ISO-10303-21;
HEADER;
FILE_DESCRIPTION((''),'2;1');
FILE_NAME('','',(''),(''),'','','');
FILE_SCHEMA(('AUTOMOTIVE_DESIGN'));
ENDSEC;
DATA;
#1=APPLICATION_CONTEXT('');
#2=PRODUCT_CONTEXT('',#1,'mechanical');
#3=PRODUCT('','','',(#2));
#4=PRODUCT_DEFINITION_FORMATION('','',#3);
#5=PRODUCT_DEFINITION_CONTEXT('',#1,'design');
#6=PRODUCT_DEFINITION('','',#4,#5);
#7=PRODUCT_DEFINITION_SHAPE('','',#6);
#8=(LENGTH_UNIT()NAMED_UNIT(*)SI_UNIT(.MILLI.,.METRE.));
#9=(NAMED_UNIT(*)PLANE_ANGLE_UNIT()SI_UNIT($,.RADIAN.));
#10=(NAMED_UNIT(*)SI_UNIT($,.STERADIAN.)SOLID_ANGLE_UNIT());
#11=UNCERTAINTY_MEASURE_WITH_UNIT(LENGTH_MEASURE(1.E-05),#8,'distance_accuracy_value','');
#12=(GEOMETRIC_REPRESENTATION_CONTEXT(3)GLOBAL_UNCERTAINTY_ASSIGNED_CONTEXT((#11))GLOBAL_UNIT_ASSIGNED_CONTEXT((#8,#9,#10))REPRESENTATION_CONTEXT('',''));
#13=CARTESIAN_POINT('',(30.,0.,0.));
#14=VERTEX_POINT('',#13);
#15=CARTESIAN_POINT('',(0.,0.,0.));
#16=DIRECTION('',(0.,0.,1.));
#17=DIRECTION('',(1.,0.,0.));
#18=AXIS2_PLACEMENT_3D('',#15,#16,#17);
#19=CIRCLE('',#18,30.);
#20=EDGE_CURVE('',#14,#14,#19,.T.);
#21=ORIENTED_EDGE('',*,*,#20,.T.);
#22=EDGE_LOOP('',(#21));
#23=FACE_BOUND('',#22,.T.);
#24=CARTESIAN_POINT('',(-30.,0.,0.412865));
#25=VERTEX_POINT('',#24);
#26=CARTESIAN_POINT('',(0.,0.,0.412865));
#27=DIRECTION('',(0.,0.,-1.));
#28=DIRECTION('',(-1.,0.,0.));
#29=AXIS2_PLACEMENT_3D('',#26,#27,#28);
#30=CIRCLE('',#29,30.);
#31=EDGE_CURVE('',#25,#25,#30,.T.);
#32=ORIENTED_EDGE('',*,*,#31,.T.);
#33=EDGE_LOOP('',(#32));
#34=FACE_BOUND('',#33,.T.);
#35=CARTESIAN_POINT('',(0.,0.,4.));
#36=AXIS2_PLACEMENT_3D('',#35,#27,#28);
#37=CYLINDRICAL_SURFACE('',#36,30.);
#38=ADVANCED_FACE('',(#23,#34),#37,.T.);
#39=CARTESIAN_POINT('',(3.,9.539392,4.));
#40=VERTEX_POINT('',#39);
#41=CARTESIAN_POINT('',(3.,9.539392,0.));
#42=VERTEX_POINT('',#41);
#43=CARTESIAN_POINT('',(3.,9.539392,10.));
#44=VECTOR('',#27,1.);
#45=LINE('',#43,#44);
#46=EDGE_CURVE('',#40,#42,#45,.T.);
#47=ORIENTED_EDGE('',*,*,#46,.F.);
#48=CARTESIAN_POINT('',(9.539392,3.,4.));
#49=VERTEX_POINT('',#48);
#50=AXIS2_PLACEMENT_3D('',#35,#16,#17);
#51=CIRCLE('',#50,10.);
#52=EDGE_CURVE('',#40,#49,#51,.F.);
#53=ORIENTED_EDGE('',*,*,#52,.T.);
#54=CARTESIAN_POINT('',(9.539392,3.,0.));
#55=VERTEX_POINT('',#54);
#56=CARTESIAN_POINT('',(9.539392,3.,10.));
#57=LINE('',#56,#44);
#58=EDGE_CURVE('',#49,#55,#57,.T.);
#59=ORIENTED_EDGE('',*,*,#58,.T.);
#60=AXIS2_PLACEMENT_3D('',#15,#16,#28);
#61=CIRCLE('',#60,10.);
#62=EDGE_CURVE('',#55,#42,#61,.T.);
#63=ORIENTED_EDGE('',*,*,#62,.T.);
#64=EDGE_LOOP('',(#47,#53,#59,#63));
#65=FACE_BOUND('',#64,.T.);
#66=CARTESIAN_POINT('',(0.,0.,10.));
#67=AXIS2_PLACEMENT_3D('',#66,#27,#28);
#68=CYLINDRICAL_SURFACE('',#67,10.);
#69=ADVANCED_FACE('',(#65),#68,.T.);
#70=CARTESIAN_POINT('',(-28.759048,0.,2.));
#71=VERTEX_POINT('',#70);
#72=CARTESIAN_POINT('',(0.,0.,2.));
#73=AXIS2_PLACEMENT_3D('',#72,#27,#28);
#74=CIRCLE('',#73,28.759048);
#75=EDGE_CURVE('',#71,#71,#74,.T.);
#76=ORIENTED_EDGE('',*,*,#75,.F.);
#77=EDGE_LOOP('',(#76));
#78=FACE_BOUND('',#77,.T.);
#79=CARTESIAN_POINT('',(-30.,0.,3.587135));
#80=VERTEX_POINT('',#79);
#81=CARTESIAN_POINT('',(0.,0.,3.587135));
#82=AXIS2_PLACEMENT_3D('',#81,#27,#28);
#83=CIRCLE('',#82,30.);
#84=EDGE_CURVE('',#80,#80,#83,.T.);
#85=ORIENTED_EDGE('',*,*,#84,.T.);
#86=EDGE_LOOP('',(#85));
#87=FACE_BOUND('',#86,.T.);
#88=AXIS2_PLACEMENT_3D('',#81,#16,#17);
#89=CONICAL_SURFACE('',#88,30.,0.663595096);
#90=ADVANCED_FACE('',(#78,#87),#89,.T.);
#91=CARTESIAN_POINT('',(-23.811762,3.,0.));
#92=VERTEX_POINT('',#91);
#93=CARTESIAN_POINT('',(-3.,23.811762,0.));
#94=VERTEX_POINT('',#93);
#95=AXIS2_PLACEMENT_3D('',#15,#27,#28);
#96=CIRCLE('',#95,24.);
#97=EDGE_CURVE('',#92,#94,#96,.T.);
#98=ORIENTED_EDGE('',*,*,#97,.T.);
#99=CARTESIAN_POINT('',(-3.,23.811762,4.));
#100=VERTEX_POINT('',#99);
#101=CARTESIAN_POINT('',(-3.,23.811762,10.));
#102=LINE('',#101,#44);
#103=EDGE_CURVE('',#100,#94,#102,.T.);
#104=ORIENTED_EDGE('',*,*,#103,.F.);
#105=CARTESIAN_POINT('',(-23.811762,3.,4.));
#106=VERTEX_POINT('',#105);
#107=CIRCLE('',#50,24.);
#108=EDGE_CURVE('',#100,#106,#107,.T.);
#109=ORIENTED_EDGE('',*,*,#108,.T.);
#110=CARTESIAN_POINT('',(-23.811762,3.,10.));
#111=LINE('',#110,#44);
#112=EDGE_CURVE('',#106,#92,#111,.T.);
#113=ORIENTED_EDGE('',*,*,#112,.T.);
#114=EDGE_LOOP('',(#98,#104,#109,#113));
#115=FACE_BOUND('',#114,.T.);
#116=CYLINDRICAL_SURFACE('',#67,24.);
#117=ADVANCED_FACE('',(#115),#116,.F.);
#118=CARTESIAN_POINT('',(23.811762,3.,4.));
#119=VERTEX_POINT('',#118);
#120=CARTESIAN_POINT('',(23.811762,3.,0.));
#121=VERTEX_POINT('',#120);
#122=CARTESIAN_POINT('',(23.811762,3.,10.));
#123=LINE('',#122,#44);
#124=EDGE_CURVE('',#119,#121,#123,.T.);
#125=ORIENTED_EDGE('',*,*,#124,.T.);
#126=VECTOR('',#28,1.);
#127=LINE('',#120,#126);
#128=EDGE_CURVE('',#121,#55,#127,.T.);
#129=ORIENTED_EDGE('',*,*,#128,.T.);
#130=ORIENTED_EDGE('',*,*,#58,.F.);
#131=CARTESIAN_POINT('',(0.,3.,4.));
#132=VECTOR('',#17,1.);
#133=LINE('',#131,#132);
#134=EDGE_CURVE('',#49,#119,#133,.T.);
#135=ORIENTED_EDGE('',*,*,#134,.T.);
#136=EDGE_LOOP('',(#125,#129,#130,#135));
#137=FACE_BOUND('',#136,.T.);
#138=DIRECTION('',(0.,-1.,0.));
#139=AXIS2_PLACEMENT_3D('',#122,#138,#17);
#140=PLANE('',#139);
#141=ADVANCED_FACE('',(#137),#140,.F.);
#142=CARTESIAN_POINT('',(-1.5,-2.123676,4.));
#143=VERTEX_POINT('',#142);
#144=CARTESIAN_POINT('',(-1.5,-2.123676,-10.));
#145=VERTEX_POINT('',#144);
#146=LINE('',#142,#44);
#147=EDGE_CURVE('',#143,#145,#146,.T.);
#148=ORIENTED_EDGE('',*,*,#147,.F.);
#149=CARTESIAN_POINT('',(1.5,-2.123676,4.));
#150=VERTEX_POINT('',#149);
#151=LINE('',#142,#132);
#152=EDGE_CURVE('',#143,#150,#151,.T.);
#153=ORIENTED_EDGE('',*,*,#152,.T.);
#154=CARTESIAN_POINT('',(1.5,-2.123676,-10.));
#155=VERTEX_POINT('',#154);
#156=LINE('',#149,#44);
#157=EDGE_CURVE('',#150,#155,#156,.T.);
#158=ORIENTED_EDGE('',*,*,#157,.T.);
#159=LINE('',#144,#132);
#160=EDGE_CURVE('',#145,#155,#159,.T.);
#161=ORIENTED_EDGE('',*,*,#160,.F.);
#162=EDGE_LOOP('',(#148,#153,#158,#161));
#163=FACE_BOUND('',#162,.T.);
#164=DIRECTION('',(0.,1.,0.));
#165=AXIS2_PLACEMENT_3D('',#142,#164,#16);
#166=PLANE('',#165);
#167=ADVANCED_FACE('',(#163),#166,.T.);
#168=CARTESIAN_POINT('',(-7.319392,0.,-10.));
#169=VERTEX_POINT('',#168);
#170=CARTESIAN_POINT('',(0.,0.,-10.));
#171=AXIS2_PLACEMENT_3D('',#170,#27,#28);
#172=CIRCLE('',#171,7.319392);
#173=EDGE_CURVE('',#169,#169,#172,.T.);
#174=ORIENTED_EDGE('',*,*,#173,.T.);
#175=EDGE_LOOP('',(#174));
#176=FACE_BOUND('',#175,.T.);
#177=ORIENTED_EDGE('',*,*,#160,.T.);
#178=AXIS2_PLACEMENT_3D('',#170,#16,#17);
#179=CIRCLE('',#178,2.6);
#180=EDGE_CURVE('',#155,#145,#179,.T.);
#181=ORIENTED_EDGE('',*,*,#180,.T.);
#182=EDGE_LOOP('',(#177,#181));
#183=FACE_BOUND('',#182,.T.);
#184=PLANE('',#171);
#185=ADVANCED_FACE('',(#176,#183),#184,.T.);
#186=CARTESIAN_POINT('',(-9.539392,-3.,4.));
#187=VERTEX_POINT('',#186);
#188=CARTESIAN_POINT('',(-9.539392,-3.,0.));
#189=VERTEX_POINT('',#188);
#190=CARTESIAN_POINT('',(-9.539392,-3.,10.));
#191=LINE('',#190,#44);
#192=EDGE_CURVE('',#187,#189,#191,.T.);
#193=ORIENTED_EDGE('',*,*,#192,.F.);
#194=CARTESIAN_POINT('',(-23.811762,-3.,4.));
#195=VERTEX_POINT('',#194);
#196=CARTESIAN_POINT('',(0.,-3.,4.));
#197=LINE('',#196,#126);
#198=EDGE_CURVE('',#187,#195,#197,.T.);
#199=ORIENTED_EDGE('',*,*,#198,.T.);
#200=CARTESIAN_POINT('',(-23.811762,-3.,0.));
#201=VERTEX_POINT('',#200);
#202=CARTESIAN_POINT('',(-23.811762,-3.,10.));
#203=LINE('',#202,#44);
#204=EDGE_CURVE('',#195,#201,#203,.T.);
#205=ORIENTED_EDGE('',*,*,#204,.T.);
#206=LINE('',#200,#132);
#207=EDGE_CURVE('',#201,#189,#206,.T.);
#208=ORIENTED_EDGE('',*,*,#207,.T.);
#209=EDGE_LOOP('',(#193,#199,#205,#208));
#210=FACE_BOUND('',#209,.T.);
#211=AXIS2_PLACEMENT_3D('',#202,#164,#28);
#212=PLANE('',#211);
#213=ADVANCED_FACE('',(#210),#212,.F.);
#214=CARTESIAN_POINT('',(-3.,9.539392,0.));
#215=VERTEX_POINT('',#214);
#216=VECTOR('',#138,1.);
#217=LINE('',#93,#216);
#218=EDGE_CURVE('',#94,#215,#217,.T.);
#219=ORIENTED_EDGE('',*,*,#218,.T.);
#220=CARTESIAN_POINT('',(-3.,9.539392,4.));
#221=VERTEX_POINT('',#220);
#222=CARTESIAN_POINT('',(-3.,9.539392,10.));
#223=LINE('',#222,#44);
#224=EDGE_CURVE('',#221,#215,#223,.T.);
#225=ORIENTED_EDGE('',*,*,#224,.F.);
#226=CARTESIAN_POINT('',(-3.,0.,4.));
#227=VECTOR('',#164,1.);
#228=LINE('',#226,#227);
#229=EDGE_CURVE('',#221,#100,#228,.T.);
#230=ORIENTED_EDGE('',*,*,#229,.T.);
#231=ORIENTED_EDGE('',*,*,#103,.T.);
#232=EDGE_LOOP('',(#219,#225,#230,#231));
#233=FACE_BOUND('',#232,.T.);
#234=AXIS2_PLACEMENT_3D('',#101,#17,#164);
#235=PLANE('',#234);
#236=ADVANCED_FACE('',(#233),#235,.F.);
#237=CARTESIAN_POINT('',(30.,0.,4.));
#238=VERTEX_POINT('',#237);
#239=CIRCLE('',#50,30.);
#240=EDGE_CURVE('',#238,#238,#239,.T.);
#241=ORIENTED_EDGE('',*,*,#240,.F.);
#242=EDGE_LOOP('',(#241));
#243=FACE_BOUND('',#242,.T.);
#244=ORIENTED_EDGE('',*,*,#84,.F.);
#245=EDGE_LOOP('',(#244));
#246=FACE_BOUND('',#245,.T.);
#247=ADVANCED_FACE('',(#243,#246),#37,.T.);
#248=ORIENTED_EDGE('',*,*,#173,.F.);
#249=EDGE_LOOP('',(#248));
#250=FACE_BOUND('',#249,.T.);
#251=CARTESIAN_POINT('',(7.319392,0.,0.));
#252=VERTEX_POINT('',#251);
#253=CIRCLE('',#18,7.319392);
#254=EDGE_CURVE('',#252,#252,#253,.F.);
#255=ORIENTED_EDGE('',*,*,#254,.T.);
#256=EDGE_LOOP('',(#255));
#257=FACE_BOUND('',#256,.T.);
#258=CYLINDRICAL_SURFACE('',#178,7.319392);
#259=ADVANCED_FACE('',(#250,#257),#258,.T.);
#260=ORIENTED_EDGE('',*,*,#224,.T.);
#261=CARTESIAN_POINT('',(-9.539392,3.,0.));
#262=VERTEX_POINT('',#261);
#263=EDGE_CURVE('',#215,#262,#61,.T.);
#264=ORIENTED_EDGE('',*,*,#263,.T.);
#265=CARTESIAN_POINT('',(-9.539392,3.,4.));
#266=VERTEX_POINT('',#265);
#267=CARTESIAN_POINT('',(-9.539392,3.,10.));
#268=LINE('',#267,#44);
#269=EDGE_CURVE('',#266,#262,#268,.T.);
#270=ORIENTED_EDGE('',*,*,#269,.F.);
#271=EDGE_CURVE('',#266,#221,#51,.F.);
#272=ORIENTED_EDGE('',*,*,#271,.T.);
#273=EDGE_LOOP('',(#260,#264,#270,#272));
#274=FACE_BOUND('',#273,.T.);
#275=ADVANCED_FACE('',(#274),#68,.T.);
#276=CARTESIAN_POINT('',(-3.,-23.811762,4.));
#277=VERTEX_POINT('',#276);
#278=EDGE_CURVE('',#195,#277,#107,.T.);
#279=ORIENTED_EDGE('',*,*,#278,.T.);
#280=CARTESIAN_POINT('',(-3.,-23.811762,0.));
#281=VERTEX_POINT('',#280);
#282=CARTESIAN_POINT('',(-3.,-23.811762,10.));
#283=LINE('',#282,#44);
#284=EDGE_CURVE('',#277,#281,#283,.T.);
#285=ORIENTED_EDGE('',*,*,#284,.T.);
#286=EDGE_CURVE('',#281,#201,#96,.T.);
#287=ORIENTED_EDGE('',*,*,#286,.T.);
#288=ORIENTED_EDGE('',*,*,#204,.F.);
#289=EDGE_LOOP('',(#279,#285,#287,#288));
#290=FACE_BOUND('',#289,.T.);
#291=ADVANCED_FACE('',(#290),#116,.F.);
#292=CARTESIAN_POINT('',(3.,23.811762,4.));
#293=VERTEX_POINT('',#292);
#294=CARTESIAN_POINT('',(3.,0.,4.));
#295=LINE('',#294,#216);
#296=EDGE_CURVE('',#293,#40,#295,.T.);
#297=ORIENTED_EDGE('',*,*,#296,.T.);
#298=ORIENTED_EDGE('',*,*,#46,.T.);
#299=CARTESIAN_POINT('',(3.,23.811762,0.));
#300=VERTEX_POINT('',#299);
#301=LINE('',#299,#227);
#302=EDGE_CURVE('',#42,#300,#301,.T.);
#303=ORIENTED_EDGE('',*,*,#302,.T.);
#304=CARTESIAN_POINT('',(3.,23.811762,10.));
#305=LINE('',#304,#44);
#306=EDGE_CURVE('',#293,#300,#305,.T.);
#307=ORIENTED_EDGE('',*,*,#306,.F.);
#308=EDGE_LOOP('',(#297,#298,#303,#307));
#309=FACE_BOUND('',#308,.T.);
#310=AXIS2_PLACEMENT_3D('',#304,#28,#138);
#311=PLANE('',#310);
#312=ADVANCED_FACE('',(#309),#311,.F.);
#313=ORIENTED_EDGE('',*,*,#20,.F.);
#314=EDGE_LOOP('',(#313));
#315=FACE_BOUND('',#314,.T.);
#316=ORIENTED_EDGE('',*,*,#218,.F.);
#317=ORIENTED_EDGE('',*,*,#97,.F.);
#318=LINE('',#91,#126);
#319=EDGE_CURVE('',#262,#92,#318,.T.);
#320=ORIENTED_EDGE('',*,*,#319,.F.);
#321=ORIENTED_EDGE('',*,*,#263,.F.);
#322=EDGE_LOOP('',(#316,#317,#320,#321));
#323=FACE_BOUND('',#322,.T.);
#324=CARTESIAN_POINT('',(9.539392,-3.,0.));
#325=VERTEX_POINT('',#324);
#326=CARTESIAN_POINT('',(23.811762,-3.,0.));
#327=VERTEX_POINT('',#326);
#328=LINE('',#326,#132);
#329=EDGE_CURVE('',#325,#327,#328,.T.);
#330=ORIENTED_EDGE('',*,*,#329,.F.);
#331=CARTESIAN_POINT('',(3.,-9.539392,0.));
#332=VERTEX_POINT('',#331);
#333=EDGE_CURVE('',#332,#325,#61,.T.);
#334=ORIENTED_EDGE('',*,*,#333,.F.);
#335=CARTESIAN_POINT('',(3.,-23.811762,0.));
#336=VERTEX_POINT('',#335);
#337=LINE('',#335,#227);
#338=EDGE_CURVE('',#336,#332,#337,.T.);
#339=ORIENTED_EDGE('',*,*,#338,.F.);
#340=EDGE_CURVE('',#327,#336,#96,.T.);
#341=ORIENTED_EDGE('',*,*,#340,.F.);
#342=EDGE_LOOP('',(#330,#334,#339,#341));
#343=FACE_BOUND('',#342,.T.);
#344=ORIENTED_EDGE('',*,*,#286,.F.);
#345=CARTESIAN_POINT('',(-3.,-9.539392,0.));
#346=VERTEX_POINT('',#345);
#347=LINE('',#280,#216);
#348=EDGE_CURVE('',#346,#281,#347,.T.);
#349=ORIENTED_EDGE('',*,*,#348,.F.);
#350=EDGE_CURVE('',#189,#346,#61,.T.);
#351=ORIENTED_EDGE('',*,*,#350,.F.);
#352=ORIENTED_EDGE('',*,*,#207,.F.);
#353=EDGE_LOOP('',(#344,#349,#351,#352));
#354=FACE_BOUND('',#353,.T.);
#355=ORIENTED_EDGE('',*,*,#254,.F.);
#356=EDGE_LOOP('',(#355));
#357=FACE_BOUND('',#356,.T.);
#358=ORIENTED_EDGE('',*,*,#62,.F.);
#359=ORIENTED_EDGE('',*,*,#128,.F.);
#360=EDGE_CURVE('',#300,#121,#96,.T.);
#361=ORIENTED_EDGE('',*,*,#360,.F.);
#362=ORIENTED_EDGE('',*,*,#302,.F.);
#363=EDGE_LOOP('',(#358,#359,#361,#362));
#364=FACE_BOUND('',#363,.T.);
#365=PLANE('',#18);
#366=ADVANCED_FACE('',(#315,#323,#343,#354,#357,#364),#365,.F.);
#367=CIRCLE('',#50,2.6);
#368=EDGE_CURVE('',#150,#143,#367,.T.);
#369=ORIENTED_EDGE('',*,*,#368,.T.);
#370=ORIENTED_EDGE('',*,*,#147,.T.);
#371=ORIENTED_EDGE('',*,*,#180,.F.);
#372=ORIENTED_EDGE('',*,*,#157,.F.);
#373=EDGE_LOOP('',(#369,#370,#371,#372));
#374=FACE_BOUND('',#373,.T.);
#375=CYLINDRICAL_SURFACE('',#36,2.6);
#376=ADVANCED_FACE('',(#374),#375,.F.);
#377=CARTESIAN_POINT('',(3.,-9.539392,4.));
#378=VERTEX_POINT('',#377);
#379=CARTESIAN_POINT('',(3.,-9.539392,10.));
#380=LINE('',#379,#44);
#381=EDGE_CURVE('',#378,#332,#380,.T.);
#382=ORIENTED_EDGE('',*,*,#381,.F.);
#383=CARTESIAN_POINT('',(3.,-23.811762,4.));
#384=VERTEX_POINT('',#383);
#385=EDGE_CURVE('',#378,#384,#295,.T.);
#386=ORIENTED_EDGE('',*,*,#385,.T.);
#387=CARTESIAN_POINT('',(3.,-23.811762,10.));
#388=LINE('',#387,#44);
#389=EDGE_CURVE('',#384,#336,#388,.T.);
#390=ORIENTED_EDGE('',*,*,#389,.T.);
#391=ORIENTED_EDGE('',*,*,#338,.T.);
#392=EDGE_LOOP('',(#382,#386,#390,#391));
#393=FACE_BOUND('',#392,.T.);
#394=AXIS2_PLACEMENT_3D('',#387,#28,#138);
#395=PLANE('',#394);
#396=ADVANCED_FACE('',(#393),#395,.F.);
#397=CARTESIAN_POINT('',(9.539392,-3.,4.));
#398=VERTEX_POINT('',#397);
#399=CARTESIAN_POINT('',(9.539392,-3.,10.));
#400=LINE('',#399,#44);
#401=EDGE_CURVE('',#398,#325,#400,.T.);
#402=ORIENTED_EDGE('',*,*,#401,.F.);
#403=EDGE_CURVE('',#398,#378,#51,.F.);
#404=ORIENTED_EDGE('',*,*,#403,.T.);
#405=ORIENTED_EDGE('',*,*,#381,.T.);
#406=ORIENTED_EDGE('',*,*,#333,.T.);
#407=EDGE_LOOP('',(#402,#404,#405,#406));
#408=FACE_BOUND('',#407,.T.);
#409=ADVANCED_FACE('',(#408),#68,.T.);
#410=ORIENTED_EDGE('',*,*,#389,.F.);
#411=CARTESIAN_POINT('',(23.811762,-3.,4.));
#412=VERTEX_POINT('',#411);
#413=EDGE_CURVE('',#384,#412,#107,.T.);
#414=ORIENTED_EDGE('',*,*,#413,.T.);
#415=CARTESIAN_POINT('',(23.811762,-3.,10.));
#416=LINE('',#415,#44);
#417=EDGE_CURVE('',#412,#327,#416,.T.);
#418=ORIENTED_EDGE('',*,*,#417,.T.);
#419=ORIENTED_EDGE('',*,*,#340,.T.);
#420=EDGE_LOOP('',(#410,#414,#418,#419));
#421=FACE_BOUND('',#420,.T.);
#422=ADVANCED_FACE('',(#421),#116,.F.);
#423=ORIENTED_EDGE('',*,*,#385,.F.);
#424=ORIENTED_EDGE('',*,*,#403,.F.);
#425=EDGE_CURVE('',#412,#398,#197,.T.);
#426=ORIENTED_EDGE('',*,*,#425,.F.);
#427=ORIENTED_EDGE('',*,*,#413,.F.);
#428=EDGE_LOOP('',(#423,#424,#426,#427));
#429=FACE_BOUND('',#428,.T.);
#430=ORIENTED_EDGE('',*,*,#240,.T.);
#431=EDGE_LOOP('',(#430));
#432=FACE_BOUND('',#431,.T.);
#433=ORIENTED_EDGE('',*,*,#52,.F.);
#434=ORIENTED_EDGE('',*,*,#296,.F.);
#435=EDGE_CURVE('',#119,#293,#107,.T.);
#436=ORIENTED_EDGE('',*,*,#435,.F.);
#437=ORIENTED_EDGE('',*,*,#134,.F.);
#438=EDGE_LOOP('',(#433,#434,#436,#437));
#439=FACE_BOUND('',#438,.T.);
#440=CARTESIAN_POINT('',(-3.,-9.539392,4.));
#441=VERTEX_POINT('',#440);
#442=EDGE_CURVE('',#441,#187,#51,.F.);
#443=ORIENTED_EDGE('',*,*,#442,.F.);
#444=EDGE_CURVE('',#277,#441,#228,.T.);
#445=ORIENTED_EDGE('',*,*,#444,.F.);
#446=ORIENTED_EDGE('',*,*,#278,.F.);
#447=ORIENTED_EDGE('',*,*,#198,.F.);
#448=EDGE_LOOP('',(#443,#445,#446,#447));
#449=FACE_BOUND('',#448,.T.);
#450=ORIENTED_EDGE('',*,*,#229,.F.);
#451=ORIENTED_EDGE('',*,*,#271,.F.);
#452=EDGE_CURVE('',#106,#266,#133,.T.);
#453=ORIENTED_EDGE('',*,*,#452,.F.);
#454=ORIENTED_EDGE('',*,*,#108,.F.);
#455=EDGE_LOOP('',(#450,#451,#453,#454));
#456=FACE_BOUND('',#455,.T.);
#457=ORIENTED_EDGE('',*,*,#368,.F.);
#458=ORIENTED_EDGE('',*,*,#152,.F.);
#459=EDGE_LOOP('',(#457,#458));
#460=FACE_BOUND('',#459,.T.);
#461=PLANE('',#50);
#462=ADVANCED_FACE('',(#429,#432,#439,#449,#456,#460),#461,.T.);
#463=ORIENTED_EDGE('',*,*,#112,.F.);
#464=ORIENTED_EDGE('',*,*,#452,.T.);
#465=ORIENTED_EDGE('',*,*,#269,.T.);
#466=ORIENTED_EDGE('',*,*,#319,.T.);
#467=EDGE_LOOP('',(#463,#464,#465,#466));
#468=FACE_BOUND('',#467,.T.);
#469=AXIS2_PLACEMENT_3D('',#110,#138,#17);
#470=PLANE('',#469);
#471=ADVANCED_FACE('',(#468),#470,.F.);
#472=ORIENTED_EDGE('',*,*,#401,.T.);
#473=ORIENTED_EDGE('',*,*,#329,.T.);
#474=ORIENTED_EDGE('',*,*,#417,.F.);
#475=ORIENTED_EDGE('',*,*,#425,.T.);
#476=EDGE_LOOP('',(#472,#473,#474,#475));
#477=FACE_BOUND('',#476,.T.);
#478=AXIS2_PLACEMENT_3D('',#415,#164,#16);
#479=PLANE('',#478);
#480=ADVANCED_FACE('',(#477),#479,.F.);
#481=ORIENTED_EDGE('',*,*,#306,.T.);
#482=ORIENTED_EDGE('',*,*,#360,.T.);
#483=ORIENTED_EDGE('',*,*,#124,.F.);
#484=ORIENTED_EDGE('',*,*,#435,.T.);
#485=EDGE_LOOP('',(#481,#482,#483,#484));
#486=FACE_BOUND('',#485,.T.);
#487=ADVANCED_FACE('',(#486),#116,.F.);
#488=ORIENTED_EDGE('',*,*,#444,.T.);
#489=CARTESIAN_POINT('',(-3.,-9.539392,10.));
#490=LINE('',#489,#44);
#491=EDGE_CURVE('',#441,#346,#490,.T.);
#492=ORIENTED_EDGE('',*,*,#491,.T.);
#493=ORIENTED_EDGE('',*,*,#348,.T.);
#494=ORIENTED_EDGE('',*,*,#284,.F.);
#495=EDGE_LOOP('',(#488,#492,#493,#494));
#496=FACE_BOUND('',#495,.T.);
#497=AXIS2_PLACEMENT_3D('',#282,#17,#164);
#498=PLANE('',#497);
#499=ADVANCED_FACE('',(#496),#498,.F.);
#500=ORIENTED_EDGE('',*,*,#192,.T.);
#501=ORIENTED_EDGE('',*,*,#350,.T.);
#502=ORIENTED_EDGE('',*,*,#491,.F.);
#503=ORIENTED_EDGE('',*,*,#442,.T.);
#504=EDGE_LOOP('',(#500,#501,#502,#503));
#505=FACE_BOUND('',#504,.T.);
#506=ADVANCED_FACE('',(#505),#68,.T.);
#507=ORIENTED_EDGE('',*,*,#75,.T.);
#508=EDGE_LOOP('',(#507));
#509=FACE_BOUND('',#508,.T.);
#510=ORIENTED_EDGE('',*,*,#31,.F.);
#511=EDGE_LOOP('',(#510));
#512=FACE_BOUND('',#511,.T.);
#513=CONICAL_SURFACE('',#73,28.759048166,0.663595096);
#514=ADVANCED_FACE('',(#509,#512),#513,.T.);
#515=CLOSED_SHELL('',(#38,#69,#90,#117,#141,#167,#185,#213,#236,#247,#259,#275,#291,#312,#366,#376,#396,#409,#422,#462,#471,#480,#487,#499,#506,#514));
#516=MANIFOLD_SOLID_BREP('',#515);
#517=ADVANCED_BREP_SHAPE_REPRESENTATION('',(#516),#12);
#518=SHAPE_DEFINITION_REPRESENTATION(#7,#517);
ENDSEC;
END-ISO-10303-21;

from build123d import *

# Parameters (mm, degrees)
CROQUIS1_R              = 30
SALIENTE_EXTRUIR1_DEPTH = 4
CROQUIS4_R              = 7.319391613
SALIENTE_EXTRUIR2_DEPTH = 10
CORTAR_EXTRUIR1_DEPTH   = 10
CORTAR_EXTRUIR2_DEPTH   = 15


with BuildPart() as part:
    # Croquis1 → Saliente-Extruir1 (new body)
    with BuildSketch(Plane.XY):
        Circle(CROQUIS1_R)
    extrude(amount=SALIENTE_EXTRUIR1_DEPTH)

    # Croquis3 → Cortar-Revolución1 (revolve, cut)
    with BuildSketch(Plane(origin=(0, 0, 0), x_dir=(1, 0, 0), z_dir=(0, 1, 0))):
        Polygon((-30, -4), (-30, -3.587135196), (-28.759048166, -2), (-30, -0.412864804), (-30, 0), (-32.403502023, 0), (-32.403502023, -4), align=None)
    revolve(axis=Axis((0, 0, -0.500745856), (0, 0, 1)), mode=Mode.SUBTRACT)

    # Croquis4 → Saliente-Extruir2 (add)
    with BuildSketch(Plane(origin=(0, 0, 0), x_dir=(-1, 0, 0), z_dir=(0, 0, -1))):
        Circle(CROQUIS4_R)
    extrude(amount=SALIENTE_EXTRUIR2_DEPTH)

    # Croquis5 → Cortar-Extruir1 (cut)
    with BuildSketch(Plane(origin=(0, 0, 0), x_dir=(-1, 0, 0), z_dir=(0, 0, -1))):
        with BuildLine():
            Line((-23.8117618, -3), (-9.539392014, -3))
            ThreePointArc((-9.539392014, -3), (-7.071067812, -7.071067812), (-3, -9.539392014))
            Line((-3, -9.539392014), (-3, -23.8117618))
            ThreePointArc((-3, -23.8117618), (-16.970562748, -16.970562748), (-23.8117618, -3))
        make_face()
        with BuildLine():
            Line((-23.8117618, 3), (-9.539392014, 3))
            ThreePointArc((-9.539392014, 3), (-7.071067812, 7.071067812), (-3, 9.539392014))
            Line((-3, 9.539392014), (-3, 23.8117618))
            ThreePointArc((-3, 23.8117618), (-16.970562748, 16.970562748), (-23.8117618, 3))
        make_face()
        with BuildLine():
            Line((3, 23.8117618), (3, 9.539392014))
            ThreePointArc((3, 9.539392014), (7.071067812, 7.071067812), (9.539392014, 3))
            Line((9.539392014, 3), (23.8117618, 3))
            ThreePointArc((23.8117618, 3), (16.970562748, 16.970562748), (3, 23.8117618))
        make_face()
        with BuildLine():
            Line((23.8117618, -3), (9.539392014, -3))
            ThreePointArc((9.539392014, -3), (7.071067812, -7.071067812), (3, -9.539392014))
            Line((3, -9.539392014), (3, -23.8117618))
            ThreePointArc((3, -23.8117618), (16.970562748, -16.970562748), (23.8117618, -3))
        make_face()
    extrude(amount=-CORTAR_EXTRUIR1_DEPTH, mode=Mode.SUBTRACT)

    # Croquis6 → Cortar-Extruir2 (cut, through all)
    with BuildSketch(Plane(origin=(0, 0, -10), x_dir=(-1, 0, 0), z_dir=(0, 0, -1))):
        with BuildLine():
            Line((1.5, -2.123676058), (-1.5, -2.123676058))
            ThreePointArc((-1.5, -2.123676058), (0, 2.6), (1.5, -2.123676058))
        make_face()
    extrude(amount=-CORTAR_EXTRUIR2_DEPTH, mode=Mode.SUBTRACT)


solid = part.part
